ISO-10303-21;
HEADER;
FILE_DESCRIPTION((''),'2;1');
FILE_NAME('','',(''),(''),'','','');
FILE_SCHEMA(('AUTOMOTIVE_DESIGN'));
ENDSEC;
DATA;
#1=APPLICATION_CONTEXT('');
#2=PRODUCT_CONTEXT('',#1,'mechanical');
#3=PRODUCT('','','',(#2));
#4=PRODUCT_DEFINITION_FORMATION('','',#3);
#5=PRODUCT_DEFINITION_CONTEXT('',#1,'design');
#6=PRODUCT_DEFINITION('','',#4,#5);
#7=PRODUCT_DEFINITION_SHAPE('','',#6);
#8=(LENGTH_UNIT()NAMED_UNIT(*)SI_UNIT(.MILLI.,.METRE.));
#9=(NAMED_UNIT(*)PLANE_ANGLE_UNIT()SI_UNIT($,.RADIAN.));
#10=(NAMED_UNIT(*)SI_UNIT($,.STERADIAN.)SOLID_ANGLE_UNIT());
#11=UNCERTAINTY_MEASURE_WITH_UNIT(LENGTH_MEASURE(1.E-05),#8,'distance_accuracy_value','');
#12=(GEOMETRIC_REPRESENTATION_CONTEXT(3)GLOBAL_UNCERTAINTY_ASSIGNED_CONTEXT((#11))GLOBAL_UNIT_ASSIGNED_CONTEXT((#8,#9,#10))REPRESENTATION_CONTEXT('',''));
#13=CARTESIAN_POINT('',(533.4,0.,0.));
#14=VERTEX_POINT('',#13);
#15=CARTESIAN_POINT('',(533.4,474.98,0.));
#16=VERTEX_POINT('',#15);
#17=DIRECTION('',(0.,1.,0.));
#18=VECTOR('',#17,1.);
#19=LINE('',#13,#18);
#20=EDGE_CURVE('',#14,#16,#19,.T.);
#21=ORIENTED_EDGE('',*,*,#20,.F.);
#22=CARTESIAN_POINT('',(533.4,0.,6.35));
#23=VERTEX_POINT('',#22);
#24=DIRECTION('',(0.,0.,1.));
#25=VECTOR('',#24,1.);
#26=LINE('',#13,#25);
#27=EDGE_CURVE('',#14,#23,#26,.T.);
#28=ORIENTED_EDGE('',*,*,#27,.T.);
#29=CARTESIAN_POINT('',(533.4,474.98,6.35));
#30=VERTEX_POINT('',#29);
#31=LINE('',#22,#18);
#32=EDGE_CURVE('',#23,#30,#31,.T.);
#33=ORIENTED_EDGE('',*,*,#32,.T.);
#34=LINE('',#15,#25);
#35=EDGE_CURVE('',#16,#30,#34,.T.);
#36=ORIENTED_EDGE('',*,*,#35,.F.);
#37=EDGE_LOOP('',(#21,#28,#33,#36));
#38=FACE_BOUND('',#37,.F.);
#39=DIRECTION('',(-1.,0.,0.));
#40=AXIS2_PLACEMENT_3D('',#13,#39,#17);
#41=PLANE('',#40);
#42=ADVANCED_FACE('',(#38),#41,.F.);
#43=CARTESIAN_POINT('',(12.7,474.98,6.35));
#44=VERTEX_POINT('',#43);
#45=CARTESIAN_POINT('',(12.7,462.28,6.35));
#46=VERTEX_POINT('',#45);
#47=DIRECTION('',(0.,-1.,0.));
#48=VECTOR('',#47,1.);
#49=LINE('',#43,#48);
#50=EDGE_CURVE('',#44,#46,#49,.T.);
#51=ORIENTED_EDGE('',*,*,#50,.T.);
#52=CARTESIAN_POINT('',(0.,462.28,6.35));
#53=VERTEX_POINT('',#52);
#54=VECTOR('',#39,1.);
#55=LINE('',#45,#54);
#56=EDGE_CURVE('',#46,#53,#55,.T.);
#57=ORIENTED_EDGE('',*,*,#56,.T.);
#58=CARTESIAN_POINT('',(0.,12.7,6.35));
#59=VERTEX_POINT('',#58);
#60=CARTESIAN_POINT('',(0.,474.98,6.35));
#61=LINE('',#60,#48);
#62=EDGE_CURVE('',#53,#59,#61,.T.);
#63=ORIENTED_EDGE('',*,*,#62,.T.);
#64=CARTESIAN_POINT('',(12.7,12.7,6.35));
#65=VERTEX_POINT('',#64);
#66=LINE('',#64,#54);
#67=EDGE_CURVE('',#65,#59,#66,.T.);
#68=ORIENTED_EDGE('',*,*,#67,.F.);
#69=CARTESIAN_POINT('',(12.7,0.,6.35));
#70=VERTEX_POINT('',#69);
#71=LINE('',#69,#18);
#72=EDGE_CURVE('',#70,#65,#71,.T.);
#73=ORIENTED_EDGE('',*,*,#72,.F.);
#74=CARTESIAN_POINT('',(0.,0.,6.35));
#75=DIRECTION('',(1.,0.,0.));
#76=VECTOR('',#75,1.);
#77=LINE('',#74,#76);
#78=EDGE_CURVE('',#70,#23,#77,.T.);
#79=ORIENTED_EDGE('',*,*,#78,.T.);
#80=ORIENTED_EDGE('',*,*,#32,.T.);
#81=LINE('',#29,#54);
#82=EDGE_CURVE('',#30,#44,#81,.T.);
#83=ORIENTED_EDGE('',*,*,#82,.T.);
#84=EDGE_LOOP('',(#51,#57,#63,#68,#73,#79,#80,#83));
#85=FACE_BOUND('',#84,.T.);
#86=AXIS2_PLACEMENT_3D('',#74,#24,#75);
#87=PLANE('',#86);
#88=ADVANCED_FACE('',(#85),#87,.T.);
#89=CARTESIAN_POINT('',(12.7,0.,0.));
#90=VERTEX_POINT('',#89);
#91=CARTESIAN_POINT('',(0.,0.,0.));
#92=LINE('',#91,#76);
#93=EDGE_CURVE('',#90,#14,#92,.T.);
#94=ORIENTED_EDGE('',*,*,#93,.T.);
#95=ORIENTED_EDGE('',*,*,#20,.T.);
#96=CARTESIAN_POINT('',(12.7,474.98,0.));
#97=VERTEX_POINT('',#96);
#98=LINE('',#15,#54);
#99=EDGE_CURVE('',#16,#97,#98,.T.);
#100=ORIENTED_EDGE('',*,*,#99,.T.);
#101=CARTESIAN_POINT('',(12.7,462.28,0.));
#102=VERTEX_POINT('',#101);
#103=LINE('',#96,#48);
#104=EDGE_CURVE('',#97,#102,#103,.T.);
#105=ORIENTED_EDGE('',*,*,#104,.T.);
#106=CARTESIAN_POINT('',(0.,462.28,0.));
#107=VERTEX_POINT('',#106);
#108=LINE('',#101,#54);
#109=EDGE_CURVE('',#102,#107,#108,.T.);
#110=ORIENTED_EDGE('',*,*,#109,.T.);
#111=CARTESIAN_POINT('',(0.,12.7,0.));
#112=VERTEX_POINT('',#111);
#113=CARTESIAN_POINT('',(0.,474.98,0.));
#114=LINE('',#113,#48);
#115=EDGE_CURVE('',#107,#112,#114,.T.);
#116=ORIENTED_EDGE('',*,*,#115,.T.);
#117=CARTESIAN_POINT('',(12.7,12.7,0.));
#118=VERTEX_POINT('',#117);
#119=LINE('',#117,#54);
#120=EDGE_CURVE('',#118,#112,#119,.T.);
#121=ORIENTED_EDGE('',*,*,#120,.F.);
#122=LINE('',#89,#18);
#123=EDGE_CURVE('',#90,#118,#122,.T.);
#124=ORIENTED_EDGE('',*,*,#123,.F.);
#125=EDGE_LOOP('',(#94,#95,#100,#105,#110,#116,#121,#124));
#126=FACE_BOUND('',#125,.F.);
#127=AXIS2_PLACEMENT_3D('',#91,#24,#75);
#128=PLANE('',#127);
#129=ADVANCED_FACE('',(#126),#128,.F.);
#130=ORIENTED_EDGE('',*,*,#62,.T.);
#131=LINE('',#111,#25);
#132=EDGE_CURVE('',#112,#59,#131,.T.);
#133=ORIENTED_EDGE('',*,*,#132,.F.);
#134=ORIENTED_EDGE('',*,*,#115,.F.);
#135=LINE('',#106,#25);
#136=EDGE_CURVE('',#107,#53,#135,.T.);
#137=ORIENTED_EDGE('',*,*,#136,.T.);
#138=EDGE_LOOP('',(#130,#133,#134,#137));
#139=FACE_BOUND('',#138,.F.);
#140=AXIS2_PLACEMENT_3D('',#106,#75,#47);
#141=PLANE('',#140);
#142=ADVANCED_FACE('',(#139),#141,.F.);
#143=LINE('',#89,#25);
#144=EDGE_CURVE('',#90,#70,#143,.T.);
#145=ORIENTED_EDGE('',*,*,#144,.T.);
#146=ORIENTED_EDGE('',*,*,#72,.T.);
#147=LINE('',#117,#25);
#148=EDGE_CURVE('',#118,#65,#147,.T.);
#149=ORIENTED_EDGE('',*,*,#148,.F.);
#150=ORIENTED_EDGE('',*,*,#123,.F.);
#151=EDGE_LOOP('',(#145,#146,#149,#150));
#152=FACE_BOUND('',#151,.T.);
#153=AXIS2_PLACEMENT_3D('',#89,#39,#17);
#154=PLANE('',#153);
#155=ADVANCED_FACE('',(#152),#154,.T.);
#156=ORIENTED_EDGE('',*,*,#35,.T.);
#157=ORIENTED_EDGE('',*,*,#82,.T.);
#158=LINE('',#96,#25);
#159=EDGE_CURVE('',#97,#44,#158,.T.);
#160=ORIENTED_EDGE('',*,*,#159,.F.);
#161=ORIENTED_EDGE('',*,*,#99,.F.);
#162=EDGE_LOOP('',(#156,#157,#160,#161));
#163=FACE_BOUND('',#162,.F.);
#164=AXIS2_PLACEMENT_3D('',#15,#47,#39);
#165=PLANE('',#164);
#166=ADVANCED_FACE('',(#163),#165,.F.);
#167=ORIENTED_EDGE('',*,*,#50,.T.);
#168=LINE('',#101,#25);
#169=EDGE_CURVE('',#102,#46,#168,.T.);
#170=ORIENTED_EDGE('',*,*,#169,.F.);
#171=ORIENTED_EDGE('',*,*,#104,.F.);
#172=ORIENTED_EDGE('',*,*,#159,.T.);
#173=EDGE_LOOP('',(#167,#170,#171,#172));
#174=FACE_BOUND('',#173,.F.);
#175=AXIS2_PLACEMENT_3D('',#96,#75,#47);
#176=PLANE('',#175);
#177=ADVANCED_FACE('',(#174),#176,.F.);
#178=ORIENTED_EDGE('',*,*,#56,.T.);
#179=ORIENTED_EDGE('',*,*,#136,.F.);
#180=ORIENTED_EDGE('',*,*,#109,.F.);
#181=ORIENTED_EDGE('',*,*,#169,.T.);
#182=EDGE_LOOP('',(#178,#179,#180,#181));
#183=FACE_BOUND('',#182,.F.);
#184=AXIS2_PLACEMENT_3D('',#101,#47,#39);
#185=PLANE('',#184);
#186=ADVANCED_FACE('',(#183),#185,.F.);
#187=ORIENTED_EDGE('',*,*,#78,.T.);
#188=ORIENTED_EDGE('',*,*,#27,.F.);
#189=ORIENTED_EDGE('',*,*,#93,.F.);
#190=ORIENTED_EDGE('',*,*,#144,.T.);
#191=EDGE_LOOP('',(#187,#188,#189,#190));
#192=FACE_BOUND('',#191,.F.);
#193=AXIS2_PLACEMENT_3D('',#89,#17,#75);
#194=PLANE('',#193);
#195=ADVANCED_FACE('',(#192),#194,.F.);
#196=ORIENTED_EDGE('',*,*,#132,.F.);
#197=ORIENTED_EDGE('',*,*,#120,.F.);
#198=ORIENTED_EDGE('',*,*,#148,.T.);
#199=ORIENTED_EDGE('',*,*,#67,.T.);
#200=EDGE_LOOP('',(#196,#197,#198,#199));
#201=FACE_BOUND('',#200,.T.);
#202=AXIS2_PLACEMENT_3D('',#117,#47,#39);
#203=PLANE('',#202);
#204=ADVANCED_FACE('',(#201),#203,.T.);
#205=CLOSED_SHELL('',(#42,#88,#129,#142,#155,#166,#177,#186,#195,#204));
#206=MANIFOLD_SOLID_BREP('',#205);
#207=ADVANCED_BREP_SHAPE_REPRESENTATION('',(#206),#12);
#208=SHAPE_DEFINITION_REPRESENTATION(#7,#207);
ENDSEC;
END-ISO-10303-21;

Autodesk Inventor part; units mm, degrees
ref_plane "YZ Plane" through (0, 0, 0) normal (1, 0, 0) x (0, 1, 0)
ref_plane "XZ Plane" through (0, 0, 0) normal (0, 1, 0) x (-1, 0, 0)
ref_plane "XY Plane" through (0, 0, 0) normal (0, 0, 1) x (1, 0, 0)
sketch "Sketch1" plane through (0, 0, 0) normal (0, 0, 1) x (1, 0, 0)
  line L0 (0, 0) -> (533.4, 0)
  line L1 (533.4, 0) -> (533.4, 474.98)
  line L2 (533.4, 474.98) -> (0, 474.98)
  line L3 (0, 474.98) -> (0, 0)
  line L4 (0, 0) -> (12.7, 0)
  line L5 (12.7, 0) -> (12.7, 12.7)
  line L6 (12.7, 12.7) -> (0, 12.7)
  line L7 (0, 12.7) -> (0, 0)
  line L8 (0, 474.98) -> (12.7, 474.98)
  line L9 (12.7, 474.98) -> (12.7, 462.28)
  line L10 (12.7, 462.28) -> (0, 462.28)
  line L11 (0, 462.28) -> (0, 474.98)
  dimension "d0" = 474.98
  dimension "d1" = 533.4
  dimension "d2" = 12.7
extrude "Extrusion1" add sketch "Sketch1" along normal blind 6.35 contours L5 L6 L3 L10 L9 L2 L1 L0
properties part number "base plate" material "Polycarbonate, Clear"
